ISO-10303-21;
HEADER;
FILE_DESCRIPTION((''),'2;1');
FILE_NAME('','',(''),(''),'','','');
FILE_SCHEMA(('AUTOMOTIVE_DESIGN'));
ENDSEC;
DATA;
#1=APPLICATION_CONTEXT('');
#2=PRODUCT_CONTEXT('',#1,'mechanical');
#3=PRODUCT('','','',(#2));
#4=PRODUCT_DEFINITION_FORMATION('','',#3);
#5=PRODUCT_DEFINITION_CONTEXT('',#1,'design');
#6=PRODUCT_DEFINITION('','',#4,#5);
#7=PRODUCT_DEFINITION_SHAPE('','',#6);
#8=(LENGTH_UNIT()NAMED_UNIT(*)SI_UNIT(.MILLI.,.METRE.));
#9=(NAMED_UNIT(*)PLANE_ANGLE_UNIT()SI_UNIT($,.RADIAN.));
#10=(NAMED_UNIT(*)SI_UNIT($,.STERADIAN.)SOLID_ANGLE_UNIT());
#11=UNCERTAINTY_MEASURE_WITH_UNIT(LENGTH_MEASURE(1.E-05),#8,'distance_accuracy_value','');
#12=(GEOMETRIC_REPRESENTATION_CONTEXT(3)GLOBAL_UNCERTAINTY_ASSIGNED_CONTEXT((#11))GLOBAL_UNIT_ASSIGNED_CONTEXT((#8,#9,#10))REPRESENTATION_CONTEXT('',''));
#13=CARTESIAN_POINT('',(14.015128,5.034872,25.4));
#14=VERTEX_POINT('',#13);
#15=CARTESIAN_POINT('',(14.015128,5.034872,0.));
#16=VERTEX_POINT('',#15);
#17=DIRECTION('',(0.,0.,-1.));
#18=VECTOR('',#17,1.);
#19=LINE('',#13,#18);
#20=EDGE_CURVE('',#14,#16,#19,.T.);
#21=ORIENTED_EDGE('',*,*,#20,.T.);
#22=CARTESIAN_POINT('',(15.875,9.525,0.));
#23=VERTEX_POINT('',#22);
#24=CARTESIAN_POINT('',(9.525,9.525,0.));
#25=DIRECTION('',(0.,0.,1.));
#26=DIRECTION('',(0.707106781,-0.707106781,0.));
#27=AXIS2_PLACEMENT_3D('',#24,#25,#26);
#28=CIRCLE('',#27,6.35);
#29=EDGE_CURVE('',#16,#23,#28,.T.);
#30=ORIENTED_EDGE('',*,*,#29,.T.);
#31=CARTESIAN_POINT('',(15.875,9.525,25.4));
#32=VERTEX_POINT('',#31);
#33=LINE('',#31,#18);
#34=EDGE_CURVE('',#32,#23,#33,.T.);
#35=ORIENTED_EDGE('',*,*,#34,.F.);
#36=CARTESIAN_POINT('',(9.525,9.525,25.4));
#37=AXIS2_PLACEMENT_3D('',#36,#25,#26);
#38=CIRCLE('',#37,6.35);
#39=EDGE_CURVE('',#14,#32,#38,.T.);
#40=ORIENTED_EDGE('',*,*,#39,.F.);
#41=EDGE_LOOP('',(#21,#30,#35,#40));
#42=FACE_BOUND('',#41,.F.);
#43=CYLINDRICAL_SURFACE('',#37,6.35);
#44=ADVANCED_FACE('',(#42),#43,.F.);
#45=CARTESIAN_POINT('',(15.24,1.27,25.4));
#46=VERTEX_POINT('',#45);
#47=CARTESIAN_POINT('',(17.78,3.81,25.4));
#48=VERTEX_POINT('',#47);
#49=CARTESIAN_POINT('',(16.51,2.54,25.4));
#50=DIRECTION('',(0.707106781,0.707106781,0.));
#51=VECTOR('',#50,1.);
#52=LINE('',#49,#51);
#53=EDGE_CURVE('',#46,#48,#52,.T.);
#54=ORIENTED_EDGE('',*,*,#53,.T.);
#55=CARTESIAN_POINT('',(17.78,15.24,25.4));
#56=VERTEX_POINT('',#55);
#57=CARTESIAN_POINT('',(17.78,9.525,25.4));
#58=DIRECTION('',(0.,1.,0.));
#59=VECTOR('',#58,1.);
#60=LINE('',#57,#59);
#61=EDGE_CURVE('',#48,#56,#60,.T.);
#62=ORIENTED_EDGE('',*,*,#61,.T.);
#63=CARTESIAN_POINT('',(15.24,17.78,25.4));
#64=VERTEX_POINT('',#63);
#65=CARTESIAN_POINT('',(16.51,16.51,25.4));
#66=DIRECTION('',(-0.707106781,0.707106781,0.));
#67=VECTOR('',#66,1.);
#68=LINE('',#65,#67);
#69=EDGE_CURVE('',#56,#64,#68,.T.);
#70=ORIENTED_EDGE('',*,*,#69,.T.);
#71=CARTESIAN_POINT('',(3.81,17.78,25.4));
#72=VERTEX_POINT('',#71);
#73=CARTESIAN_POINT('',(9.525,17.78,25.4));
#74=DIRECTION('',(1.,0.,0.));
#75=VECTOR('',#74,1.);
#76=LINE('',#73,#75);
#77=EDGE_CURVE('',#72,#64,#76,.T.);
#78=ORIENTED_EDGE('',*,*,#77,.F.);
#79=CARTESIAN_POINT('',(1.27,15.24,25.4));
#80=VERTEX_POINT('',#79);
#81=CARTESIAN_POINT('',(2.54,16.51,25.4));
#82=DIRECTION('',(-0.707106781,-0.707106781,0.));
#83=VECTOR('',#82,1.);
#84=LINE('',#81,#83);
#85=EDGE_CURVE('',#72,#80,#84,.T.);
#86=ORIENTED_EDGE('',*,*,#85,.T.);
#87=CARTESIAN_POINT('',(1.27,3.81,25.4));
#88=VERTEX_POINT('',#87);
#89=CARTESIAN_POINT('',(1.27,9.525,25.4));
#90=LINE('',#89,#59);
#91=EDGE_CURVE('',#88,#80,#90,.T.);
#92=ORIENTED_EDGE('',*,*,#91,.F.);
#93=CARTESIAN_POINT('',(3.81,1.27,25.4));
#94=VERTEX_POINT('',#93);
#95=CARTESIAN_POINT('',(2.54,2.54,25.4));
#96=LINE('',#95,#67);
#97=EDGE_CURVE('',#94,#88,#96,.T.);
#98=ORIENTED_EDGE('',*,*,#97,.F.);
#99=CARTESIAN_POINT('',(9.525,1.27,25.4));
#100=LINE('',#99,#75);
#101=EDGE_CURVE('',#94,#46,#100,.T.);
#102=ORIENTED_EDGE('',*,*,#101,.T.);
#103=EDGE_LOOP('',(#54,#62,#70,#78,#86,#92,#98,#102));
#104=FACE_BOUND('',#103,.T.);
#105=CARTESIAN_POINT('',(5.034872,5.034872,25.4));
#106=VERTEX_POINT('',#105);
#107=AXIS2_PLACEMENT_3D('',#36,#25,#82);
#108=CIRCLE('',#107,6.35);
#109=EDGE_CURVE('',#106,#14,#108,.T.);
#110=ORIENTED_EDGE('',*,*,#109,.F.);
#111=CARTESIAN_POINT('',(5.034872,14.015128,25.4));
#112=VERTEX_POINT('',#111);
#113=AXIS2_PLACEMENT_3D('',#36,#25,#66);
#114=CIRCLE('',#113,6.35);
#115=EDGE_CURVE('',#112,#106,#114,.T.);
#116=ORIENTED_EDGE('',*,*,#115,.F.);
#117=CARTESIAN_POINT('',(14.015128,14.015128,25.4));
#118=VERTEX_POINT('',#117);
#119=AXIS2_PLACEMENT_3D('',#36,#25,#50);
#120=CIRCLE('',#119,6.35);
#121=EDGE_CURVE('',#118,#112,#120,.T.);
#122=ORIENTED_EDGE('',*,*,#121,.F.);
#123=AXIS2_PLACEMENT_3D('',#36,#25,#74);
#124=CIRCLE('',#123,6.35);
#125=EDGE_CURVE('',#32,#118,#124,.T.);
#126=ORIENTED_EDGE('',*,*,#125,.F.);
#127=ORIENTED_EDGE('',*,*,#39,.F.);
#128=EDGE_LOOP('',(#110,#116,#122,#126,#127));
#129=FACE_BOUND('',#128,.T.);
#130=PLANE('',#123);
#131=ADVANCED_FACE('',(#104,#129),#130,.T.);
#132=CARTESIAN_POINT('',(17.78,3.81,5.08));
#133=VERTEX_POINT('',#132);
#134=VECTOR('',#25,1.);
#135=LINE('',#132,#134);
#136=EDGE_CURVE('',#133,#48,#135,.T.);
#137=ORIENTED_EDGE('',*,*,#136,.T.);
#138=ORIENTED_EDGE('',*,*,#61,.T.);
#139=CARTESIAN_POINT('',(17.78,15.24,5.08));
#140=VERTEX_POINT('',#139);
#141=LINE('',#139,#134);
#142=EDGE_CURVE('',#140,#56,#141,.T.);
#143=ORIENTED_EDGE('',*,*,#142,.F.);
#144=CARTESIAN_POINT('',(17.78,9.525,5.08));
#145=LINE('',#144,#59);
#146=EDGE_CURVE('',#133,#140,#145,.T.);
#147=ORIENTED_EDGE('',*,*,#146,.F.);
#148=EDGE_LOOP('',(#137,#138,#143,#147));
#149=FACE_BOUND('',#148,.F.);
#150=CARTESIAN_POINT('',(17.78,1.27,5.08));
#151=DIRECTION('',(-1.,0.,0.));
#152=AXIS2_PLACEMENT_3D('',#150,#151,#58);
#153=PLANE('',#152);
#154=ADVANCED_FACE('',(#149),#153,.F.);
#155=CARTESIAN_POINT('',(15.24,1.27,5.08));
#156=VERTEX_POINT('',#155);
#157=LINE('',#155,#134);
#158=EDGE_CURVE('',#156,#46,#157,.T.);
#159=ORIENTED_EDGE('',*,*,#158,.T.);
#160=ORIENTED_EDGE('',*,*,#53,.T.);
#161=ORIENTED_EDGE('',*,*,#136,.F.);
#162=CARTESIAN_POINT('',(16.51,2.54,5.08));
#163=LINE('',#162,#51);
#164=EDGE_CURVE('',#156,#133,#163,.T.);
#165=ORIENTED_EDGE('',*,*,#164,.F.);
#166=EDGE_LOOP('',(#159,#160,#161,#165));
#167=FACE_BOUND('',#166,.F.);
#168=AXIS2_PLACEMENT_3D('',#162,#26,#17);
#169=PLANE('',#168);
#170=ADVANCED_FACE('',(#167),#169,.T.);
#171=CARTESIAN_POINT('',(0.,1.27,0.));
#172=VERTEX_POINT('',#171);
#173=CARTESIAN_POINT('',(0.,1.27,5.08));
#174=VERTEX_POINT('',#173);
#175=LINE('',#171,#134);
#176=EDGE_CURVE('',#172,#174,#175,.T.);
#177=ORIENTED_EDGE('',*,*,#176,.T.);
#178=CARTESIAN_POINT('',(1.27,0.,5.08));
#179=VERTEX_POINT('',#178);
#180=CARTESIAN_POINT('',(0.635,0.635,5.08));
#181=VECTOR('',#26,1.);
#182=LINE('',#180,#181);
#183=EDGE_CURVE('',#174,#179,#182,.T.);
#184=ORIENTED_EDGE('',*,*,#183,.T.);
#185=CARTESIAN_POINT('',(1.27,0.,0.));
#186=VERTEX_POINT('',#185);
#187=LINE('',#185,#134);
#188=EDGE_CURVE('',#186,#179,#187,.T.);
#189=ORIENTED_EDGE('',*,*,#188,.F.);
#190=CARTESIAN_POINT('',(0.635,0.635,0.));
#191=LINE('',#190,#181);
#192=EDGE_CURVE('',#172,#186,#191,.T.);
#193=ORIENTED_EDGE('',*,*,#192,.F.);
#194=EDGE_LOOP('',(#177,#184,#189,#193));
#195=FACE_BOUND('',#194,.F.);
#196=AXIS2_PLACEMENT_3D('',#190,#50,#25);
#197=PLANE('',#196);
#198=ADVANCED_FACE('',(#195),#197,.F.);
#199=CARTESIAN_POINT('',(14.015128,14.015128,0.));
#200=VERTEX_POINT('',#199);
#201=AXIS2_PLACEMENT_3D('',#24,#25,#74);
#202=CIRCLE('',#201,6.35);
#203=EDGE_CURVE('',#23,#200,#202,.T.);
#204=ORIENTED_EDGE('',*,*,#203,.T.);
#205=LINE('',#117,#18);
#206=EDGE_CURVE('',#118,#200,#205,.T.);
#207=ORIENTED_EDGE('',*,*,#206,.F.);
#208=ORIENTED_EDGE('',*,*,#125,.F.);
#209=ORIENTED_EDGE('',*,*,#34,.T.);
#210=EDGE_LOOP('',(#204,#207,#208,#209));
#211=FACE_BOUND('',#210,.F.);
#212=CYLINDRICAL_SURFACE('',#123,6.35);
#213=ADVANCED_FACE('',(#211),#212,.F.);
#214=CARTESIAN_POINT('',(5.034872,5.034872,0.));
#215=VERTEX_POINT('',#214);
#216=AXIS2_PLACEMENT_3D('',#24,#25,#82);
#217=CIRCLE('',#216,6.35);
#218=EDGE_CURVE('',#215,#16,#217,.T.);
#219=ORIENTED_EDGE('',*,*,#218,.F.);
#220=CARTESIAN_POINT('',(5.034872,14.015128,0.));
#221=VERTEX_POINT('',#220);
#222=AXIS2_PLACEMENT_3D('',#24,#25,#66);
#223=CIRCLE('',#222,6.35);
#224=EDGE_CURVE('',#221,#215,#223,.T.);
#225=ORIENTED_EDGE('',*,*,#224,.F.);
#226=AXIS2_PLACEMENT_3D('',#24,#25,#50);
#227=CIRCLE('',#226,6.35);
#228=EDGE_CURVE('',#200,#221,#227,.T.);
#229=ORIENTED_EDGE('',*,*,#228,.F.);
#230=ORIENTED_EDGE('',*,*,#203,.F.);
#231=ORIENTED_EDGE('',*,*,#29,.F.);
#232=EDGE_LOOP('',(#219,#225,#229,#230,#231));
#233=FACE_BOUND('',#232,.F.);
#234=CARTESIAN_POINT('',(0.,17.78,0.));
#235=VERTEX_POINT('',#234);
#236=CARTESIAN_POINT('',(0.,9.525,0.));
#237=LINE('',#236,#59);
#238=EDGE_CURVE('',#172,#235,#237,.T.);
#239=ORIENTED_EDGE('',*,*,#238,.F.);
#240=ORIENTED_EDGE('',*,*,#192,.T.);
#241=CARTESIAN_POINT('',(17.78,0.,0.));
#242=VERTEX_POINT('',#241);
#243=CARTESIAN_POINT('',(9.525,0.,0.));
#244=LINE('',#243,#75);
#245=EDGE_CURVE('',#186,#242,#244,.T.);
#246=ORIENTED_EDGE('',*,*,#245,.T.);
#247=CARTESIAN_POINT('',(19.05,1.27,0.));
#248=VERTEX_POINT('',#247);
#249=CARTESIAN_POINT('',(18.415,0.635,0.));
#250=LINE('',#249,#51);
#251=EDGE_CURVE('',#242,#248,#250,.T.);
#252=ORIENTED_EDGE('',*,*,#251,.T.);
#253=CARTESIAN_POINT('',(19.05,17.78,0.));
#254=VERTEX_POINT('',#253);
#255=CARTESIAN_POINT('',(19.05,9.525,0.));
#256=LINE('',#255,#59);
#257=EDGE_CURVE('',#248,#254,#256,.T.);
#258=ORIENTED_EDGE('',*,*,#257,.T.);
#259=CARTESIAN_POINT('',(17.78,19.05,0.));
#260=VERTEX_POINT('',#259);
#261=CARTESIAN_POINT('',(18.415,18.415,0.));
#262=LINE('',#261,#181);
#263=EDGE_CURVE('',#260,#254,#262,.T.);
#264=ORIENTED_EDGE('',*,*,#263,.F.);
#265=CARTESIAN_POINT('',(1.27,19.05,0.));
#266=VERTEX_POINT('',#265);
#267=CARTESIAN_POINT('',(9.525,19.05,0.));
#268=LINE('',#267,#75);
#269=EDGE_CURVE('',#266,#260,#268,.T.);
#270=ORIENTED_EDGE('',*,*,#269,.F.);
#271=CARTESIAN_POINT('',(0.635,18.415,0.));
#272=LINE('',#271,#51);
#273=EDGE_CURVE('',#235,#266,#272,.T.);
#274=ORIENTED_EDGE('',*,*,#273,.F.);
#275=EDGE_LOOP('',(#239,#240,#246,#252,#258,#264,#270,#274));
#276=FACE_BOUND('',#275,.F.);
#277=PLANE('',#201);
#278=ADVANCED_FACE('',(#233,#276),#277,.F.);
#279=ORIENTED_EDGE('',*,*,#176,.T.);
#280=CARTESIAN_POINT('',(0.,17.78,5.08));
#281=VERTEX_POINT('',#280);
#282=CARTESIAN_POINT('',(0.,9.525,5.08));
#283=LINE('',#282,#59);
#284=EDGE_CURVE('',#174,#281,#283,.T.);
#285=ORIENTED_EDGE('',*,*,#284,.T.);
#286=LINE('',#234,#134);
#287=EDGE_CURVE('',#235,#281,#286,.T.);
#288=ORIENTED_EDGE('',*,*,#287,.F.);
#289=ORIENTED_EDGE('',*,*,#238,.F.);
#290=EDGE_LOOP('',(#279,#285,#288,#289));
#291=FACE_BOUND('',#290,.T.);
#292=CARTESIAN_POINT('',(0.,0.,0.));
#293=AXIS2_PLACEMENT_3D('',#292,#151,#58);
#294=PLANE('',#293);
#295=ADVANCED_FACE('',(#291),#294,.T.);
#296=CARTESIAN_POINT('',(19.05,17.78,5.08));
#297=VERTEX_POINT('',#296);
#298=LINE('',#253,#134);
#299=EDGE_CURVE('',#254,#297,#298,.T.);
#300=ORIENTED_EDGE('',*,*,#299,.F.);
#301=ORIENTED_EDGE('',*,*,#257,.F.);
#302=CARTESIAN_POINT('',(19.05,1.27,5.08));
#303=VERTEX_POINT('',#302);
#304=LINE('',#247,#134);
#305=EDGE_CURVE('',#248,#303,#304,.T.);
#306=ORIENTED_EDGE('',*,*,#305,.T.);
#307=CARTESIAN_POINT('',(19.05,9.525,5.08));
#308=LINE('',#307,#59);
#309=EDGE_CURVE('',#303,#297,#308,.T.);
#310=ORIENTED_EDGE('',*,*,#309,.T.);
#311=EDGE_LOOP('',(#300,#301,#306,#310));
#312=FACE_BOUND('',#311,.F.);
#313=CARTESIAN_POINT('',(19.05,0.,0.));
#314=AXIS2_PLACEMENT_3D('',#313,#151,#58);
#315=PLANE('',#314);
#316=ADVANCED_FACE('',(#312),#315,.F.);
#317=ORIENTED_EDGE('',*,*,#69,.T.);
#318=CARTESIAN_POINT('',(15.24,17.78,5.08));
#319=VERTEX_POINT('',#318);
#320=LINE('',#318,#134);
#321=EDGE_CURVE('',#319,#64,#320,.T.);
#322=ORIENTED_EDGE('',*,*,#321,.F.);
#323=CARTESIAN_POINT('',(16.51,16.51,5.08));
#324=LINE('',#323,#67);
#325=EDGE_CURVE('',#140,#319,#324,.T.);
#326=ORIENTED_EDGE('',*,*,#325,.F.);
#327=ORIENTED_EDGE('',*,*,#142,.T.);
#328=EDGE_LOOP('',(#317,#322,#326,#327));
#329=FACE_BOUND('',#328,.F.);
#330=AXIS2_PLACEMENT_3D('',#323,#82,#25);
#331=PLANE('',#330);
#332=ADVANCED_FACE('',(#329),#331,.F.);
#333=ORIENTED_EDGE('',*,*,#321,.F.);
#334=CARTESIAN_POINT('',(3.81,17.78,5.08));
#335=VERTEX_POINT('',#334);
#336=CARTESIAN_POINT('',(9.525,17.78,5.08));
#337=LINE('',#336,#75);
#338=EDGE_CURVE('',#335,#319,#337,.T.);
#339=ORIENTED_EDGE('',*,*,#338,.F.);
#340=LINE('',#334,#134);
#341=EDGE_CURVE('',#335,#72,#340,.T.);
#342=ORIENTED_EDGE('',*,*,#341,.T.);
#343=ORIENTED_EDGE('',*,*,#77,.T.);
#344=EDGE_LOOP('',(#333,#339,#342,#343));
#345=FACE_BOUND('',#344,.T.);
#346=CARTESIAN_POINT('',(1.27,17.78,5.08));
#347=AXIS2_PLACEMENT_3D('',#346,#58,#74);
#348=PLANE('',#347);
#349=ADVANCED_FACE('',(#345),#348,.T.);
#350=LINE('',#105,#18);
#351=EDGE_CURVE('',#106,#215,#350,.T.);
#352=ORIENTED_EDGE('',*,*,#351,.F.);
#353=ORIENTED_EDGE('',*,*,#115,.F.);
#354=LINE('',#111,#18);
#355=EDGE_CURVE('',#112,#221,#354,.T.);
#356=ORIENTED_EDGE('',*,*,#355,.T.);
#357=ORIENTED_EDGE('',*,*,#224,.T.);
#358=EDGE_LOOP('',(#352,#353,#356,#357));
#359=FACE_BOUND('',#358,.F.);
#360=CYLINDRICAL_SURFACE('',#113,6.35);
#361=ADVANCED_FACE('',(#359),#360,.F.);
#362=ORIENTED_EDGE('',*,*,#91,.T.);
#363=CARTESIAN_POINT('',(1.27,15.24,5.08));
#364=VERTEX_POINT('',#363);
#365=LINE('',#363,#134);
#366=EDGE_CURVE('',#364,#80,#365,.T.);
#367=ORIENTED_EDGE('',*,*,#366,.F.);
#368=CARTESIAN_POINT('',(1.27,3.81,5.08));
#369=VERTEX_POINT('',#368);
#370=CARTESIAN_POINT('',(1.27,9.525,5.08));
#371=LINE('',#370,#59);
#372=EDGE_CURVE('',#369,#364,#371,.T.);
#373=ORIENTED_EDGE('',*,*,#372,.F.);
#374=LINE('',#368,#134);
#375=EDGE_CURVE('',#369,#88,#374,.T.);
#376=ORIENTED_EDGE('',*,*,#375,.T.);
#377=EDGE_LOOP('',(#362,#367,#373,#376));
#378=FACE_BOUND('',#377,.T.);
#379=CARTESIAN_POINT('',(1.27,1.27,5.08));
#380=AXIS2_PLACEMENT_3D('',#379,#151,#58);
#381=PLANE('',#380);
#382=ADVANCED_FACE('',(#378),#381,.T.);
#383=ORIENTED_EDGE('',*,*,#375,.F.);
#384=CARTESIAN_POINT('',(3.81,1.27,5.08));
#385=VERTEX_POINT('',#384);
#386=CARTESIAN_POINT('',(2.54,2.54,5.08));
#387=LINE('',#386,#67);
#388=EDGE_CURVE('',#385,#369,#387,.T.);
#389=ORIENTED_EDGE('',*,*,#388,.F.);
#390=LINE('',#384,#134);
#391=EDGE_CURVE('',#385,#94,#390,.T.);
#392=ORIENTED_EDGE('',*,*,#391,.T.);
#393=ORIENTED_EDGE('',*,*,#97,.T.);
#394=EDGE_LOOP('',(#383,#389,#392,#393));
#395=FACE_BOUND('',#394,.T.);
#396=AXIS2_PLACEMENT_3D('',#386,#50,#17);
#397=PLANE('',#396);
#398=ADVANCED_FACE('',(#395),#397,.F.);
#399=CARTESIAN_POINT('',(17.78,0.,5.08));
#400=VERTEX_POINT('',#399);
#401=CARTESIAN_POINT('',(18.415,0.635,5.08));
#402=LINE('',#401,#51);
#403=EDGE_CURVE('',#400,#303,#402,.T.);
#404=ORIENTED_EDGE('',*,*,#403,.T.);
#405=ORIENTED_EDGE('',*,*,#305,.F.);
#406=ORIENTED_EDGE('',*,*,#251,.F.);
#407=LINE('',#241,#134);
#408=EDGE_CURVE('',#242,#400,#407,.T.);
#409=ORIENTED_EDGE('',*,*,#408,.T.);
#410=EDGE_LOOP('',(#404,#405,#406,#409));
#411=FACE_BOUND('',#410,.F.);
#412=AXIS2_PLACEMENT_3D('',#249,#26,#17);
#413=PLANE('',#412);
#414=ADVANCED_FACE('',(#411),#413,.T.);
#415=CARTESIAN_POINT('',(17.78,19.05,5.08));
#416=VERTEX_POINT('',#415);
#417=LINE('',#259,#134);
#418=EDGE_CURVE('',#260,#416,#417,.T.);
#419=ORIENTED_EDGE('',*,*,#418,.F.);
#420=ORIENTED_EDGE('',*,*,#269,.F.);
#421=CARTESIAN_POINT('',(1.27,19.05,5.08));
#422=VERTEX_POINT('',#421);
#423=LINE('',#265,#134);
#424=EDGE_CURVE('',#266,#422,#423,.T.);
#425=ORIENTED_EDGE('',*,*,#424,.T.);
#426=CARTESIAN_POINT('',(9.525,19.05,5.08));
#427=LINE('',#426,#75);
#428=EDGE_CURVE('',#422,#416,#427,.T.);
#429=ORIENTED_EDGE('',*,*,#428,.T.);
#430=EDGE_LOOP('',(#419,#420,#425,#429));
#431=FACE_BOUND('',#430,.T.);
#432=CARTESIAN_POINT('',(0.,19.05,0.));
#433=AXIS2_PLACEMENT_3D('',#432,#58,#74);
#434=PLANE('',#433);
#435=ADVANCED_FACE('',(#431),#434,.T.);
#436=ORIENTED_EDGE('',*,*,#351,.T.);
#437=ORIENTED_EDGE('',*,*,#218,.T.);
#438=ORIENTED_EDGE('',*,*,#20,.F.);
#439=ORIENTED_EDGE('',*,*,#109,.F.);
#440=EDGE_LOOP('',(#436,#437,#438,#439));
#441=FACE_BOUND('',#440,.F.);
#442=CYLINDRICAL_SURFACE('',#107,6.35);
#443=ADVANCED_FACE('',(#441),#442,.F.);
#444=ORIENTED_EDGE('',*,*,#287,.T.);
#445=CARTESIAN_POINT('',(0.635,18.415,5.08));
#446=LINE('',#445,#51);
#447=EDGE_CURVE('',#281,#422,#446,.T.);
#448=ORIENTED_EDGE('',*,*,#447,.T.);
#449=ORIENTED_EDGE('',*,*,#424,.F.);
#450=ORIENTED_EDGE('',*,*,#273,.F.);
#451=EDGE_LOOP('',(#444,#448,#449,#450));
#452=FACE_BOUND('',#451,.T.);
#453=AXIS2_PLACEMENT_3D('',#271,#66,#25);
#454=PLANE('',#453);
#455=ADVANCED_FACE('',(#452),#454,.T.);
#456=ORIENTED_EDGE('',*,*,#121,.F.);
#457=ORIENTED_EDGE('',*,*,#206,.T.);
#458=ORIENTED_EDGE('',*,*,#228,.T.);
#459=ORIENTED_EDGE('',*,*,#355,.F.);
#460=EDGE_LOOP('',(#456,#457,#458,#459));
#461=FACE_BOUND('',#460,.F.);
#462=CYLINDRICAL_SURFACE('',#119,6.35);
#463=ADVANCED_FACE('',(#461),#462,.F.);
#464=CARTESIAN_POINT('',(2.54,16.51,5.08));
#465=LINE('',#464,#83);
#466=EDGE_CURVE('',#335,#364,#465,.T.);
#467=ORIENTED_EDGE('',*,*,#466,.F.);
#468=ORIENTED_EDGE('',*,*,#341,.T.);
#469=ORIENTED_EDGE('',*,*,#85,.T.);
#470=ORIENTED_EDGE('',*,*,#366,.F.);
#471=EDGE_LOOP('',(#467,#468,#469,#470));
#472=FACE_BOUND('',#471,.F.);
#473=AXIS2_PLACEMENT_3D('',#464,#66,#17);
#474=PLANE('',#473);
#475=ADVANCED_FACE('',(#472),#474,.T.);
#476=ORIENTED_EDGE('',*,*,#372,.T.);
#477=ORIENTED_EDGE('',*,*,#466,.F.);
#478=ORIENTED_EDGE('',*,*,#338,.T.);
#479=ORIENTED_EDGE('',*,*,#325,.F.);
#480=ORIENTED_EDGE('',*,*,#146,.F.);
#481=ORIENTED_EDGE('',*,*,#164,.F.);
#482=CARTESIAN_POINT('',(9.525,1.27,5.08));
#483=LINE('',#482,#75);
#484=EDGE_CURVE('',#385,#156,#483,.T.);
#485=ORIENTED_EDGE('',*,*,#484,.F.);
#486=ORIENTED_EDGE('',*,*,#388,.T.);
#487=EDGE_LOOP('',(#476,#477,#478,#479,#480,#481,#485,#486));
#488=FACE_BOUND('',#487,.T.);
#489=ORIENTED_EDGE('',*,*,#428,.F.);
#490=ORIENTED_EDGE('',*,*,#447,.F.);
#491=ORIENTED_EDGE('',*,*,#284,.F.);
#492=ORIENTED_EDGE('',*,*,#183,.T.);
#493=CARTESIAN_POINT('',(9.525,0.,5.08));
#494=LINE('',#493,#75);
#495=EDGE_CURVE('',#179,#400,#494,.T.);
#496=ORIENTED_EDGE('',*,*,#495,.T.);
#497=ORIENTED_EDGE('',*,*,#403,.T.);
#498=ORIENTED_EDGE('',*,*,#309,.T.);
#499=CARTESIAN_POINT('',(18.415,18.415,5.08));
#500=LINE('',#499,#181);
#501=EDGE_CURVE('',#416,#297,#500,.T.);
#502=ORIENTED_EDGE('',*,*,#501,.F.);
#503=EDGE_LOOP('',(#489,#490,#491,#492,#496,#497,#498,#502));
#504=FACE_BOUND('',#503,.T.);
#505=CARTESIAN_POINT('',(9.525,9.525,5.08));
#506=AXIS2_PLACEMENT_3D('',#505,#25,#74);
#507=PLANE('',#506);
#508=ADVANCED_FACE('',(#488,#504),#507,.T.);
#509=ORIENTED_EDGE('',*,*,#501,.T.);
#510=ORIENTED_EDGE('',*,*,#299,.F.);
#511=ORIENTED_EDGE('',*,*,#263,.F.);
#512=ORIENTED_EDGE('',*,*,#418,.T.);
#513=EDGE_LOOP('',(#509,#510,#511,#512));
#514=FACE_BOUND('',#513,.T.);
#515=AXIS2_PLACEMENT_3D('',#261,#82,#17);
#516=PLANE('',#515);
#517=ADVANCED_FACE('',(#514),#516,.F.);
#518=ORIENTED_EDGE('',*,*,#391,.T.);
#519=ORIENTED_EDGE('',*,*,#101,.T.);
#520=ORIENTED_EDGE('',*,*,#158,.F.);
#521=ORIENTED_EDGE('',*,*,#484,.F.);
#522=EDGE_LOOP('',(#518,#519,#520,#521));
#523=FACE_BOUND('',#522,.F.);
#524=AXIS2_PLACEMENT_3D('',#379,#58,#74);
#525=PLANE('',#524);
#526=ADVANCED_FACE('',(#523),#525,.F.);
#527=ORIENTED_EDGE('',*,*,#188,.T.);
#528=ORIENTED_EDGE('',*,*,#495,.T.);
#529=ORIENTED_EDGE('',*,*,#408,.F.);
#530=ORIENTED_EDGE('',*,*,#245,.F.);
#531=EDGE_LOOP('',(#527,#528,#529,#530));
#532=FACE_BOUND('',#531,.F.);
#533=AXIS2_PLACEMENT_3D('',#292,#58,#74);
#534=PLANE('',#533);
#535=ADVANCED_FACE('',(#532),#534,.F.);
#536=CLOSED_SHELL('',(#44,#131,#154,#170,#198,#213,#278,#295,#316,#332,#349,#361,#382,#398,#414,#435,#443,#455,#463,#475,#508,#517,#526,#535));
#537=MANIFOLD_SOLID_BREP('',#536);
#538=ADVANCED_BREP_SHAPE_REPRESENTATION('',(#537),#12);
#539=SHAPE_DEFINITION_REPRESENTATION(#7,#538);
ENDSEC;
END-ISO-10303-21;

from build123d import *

# Parameters (mm, degrees)
F0_W     = 19.05
F0_H     = 19.05
F1_DEPTH = 5.08
F2_W     = 16.51
F2_H     = 16.51
F3_DEPTH = 20.32
F5_DEPTH = 25.4
F6_SIZE  = 2.54
F7_SIZE  = 1.27


with BuildPart() as f1:
    # F0 (on Top) → F1 (new body)
    with BuildSketch(Plane.XY):
        with Locations((9.525, 9.525)):
            Rectangle(F0_W, F0_H)
    extrude(amount=F1_DEPTH)

    # F2 (on face) → F3 (join)
    with BuildSketch(Plane.XY.offset(5.08)):
        with Locations((9.525, 9.525)):
            Rectangle(F2_W, F2_H)
    extrude(amount=F3_DEPTH)

    # F4 (on face) → F5 (cut)
    with BuildSketch(Plane.XY.offset(25.4)):
        with BuildLine():
            Line((5.0348719395, 5.0348719395), (9.525, 9.525))
            Line((9.525, 9.525), (5.0348719395, 14.0151280605))
            ThreePointArc((5.0348719395, 14.0151280605), (3.175, 9.525), (5.0348719395, 5.0348719395))
        make_face()
        with BuildLine():
            Line((5.0348719395, 14.0151280605), (9.525, 9.525))
            Line((9.525, 9.525), (14.0151280605, 14.0151280605))
            ThreePointArc((14.0151280605, 14.0151280605), (9.525, 15.875), (5.0348719395, 14.0151280605))
        make_face()
        with BuildLine():
            Line((9.525, 9.525), (14.0151280605, 5.0348719395))
            ThreePointArc((14.0151280605, 5.0348719395), (15.3916350314, 7.0949602045), (15.875, 9.525))
            ThreePointArc((15.875, 9.525), (15.3916350314, 11.9550397955), (14.0151280605, 14.0151280605))
            Line((14.0151280605, 14.0151280605), (9.525, 9.525))
        make_face()
        with BuildLine():
            ThreePointArc((5.0348719395, 5.0348719395), (9.525, 3.175), (14.0151280605, 5.0348719395))
            Line((14.0151280605, 5.0348719395), (9.525, 9.525))
            Line((9.525, 9.525), (5.0348719395, 5.0348719395))
        make_face()
    extrude(amount=-F5_DEPTH, mode=Mode.SUBTRACT)

    # F6
    f6_edges = [f1.edges().sort_by_distance(p)[0] for p in [
        (17.78, 17.78, 15.24),
        (1.27, 17.78, 15.24),
        (1.27, 1.27, 15.24),
        (17.78, 1.27, 15.24),
    ]]
    chamfer(f6_edges, length=F6_SIZE)

    # F7
    f7_edges = [f1.edges().sort_by_distance(p)[0] for p in [
        (0, 0, 2.54),
        (0, 19.05, 2.54),
        (19.05, 19.05, 2.54),
        (19.05, 0, 2.54),
    ]]
    chamfer(f7_edges, length=F7_SIZE)


solid = f1.part
